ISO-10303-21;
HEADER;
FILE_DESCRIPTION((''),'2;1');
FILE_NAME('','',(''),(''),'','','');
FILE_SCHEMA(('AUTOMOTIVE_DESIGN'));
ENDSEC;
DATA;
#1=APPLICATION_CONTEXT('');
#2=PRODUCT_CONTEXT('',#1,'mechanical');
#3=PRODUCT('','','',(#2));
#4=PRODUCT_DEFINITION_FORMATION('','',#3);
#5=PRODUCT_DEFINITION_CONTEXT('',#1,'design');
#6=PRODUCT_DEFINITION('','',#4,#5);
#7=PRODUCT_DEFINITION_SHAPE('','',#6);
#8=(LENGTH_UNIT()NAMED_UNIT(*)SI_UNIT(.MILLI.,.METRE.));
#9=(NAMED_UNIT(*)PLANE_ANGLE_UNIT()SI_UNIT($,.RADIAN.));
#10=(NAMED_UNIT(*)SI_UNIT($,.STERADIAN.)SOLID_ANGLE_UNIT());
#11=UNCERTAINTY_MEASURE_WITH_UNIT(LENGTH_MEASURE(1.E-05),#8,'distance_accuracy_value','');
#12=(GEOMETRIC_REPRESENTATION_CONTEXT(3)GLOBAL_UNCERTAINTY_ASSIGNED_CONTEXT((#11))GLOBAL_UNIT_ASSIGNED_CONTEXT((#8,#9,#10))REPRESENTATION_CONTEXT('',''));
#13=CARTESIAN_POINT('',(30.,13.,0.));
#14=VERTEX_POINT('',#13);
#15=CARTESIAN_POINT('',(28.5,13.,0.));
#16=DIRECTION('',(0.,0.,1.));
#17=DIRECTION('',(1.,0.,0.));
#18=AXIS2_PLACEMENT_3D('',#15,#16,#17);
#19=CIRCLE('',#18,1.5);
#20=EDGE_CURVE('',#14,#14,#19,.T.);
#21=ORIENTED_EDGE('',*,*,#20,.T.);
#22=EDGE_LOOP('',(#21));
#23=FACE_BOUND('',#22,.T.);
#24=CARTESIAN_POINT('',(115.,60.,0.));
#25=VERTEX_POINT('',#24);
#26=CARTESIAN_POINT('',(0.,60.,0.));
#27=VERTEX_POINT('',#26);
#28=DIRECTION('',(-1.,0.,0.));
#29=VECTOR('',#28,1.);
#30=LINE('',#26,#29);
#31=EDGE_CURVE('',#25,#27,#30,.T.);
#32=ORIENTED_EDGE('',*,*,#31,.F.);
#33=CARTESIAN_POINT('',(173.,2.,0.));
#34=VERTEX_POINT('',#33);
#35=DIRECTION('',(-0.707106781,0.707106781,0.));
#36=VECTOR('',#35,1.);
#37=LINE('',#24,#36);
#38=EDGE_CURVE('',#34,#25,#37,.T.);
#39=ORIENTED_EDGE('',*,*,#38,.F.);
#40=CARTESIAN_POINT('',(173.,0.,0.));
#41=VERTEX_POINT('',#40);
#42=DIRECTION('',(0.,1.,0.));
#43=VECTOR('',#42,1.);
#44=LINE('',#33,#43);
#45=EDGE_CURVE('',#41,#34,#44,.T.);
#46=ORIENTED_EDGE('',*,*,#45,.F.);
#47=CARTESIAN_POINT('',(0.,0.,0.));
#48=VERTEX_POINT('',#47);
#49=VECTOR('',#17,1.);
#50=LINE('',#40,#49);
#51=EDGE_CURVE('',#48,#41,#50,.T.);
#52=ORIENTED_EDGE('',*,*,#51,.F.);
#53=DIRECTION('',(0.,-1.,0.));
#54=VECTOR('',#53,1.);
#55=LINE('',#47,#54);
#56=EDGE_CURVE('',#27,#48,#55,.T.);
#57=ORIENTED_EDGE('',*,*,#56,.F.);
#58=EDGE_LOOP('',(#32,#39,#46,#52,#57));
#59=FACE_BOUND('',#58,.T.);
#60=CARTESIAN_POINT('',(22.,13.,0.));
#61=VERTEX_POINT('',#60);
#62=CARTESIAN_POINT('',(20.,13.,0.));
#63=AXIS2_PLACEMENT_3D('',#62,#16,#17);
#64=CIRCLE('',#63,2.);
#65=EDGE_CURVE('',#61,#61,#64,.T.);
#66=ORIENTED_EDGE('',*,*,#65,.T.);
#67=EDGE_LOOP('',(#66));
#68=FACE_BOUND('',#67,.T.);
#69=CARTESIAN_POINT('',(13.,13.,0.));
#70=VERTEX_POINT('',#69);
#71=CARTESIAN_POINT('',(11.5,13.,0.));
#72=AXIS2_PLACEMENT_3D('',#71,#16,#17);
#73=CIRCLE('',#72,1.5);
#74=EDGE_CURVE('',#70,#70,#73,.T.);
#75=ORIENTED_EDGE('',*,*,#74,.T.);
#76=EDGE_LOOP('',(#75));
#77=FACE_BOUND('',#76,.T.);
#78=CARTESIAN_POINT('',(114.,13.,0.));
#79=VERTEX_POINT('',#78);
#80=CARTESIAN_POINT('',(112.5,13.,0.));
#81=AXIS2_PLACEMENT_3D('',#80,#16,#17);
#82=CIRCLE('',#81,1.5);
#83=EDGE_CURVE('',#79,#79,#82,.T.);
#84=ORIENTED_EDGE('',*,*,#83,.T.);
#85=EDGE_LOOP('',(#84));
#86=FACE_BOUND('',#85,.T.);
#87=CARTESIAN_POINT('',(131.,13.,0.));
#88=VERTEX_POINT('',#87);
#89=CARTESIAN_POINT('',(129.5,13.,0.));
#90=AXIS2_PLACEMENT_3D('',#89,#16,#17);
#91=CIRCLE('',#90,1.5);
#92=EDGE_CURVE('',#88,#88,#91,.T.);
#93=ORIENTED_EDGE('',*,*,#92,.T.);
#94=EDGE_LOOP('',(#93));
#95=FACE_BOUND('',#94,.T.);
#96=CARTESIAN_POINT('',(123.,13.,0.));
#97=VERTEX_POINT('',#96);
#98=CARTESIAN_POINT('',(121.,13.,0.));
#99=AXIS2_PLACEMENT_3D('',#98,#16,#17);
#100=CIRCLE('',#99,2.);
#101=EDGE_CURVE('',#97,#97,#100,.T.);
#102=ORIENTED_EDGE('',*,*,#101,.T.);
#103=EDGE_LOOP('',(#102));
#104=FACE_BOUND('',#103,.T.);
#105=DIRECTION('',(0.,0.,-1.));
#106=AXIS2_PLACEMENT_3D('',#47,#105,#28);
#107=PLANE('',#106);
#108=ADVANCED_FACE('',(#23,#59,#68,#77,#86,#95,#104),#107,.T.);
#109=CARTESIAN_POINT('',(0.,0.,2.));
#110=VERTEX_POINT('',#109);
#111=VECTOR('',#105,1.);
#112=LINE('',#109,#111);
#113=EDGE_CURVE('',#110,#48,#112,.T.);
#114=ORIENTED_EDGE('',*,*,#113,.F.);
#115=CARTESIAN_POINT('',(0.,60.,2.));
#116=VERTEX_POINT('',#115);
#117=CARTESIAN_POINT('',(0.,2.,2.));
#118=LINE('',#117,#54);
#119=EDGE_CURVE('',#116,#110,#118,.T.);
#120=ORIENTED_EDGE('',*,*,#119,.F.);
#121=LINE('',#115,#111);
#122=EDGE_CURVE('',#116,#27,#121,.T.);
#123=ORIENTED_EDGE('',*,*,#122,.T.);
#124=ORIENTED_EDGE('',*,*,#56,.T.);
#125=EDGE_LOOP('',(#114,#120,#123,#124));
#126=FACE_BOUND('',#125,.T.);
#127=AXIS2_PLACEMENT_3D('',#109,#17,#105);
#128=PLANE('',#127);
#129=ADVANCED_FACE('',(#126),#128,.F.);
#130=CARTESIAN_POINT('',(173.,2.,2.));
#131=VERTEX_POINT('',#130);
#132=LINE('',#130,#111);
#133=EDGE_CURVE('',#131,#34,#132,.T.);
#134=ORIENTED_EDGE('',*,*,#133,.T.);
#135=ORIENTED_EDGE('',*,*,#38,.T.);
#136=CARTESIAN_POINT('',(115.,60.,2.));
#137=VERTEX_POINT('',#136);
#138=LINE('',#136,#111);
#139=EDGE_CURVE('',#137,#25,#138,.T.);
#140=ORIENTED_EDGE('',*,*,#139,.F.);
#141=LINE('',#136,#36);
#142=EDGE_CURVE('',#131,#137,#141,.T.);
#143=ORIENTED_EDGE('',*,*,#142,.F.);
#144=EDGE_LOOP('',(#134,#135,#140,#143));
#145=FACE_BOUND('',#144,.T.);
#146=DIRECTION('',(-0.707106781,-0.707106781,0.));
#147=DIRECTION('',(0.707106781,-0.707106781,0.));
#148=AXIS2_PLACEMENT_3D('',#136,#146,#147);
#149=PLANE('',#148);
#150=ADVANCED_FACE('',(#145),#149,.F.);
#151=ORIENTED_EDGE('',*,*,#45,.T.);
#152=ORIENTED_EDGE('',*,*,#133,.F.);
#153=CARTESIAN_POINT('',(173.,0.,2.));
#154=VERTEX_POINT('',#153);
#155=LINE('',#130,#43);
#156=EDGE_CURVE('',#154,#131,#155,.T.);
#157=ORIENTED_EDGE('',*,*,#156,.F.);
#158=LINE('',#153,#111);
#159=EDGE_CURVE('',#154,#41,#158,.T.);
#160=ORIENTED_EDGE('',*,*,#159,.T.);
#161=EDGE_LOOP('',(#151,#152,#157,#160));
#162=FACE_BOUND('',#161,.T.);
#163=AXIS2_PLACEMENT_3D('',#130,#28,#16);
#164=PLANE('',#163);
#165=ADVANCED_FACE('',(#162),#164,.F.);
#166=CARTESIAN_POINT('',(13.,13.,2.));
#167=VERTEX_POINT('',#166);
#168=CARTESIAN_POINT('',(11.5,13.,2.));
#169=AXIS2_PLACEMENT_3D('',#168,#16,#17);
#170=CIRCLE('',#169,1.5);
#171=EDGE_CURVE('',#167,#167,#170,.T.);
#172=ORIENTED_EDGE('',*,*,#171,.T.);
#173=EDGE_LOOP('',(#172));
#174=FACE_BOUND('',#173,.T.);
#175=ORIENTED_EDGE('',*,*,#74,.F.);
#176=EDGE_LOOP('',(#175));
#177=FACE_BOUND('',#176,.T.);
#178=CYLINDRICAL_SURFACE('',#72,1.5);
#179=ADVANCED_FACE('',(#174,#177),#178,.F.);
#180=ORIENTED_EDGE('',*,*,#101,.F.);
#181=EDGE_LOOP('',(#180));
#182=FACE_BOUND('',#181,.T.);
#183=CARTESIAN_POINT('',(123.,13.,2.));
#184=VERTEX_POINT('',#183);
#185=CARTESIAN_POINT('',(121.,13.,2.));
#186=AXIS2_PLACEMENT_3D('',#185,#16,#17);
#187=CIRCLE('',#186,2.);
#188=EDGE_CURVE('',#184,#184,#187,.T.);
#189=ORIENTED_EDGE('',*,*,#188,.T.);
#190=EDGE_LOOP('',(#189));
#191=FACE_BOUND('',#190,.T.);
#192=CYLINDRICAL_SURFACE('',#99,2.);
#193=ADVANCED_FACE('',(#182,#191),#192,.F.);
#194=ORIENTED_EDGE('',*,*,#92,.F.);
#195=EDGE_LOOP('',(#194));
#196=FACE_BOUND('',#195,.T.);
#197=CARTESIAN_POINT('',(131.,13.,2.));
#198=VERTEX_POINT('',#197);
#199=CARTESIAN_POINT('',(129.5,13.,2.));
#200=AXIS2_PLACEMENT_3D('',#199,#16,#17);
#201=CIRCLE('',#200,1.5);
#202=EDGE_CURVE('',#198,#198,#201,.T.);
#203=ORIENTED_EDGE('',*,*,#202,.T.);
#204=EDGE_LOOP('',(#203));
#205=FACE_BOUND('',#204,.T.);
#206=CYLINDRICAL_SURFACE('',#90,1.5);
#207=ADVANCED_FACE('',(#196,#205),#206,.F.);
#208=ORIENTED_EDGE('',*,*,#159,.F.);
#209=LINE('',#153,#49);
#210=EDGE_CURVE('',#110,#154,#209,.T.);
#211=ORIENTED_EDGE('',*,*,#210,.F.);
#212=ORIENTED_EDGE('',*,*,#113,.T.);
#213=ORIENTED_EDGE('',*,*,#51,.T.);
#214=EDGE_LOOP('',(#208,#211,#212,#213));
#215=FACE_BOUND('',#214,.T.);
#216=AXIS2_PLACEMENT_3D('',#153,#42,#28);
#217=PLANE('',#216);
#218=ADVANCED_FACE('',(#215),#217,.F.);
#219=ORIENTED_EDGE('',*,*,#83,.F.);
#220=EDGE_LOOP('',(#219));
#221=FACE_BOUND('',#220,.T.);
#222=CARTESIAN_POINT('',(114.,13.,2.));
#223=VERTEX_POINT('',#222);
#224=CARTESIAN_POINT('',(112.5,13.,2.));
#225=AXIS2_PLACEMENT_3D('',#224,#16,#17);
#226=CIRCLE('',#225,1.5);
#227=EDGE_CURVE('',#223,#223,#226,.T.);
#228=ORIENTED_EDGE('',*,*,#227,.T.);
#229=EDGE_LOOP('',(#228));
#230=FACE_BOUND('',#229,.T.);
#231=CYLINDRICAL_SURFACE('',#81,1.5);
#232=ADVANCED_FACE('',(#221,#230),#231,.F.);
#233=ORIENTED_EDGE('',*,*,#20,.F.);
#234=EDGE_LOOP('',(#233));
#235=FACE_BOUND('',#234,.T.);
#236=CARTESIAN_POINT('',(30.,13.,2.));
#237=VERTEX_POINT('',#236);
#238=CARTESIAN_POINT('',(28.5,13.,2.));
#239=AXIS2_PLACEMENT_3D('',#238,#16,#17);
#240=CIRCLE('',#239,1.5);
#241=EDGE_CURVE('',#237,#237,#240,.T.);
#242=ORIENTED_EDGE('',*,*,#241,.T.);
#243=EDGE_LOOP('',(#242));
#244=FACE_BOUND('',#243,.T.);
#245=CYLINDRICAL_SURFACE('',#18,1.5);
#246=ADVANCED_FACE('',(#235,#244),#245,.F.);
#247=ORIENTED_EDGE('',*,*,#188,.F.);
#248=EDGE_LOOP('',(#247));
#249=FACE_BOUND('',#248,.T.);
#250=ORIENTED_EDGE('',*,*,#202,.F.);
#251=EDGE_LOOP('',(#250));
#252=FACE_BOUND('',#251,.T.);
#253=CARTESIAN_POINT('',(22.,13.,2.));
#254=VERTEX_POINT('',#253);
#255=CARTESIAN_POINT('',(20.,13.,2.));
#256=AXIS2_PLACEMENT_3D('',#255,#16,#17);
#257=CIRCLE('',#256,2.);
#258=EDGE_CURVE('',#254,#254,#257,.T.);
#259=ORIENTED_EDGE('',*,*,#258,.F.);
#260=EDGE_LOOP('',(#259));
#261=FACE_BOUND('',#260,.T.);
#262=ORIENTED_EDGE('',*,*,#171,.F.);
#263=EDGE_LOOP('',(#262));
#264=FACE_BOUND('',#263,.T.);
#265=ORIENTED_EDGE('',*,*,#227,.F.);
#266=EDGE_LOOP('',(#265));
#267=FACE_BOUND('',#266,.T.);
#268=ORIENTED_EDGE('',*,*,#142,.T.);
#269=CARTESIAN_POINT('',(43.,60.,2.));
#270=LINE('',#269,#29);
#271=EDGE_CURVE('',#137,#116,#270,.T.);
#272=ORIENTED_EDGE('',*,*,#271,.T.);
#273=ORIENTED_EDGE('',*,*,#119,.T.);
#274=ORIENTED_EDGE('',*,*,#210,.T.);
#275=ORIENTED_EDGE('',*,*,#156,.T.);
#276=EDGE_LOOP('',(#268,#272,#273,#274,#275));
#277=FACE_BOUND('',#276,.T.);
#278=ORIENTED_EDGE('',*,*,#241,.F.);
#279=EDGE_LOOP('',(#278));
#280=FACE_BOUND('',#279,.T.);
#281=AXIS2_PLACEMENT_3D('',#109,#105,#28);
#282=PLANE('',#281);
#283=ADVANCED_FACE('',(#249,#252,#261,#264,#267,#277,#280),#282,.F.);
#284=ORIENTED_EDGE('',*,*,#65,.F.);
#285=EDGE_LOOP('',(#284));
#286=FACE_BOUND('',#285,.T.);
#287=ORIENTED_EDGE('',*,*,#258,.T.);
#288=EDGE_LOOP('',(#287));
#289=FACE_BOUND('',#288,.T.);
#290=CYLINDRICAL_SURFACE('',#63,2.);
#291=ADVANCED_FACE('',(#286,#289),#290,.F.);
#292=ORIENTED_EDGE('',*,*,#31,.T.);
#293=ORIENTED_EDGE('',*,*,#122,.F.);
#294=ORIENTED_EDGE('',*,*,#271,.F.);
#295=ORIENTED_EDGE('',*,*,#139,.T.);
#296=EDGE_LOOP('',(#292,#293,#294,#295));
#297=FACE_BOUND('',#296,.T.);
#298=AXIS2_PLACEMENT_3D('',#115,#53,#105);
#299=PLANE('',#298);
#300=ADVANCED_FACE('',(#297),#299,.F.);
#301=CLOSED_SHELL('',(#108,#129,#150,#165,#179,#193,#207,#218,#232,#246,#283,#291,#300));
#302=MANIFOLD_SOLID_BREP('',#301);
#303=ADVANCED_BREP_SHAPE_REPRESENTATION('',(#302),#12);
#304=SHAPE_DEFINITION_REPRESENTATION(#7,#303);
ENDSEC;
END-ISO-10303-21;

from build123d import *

# Parameters (mm, degrees)
BOSS_EXTRUDE1_DEPTH = 2
SKETCH4_R           = 2
SKETCH4_R_2         = 1.5
CUT_EXTRUDE1_DEPTH  = 2


with BuildPart() as part:
    # Sketch2 → Boss-Extrude1 (new body)
    with BuildSketch(Plane.XY):
        Polygon((0, 0), (0, 2), (0, 60), (43, 60), (115, 60), (173, 2), (173, 0), align=None)
    extrude(amount=BOSS_EXTRUDE1_DEPTH)

    # Sketch4 → Cut-Extrude1 (cut)
    with BuildSketch(Plane.XY.offset(2)):
        with Locations((20, 13)):
            Circle(SKETCH4_R)
        with Locations((121, 13)):
            Circle(SKETCH4_R)
        with Locations((28.5, 13)):
            Circle(SKETCH4_R_2)
        with Locations((112.5, 13)):
            Circle(SKETCH4_R_2)
        with Locations((129.5, 13)):
            Circle(SKETCH4_R_2)
        with Locations((11.5, 13)):
            Circle(SKETCH4_R_2)
    extrude(amount=-CUT_EXTRUDE1_DEPTH, mode=Mode.SUBTRACT)


solid = part.part
